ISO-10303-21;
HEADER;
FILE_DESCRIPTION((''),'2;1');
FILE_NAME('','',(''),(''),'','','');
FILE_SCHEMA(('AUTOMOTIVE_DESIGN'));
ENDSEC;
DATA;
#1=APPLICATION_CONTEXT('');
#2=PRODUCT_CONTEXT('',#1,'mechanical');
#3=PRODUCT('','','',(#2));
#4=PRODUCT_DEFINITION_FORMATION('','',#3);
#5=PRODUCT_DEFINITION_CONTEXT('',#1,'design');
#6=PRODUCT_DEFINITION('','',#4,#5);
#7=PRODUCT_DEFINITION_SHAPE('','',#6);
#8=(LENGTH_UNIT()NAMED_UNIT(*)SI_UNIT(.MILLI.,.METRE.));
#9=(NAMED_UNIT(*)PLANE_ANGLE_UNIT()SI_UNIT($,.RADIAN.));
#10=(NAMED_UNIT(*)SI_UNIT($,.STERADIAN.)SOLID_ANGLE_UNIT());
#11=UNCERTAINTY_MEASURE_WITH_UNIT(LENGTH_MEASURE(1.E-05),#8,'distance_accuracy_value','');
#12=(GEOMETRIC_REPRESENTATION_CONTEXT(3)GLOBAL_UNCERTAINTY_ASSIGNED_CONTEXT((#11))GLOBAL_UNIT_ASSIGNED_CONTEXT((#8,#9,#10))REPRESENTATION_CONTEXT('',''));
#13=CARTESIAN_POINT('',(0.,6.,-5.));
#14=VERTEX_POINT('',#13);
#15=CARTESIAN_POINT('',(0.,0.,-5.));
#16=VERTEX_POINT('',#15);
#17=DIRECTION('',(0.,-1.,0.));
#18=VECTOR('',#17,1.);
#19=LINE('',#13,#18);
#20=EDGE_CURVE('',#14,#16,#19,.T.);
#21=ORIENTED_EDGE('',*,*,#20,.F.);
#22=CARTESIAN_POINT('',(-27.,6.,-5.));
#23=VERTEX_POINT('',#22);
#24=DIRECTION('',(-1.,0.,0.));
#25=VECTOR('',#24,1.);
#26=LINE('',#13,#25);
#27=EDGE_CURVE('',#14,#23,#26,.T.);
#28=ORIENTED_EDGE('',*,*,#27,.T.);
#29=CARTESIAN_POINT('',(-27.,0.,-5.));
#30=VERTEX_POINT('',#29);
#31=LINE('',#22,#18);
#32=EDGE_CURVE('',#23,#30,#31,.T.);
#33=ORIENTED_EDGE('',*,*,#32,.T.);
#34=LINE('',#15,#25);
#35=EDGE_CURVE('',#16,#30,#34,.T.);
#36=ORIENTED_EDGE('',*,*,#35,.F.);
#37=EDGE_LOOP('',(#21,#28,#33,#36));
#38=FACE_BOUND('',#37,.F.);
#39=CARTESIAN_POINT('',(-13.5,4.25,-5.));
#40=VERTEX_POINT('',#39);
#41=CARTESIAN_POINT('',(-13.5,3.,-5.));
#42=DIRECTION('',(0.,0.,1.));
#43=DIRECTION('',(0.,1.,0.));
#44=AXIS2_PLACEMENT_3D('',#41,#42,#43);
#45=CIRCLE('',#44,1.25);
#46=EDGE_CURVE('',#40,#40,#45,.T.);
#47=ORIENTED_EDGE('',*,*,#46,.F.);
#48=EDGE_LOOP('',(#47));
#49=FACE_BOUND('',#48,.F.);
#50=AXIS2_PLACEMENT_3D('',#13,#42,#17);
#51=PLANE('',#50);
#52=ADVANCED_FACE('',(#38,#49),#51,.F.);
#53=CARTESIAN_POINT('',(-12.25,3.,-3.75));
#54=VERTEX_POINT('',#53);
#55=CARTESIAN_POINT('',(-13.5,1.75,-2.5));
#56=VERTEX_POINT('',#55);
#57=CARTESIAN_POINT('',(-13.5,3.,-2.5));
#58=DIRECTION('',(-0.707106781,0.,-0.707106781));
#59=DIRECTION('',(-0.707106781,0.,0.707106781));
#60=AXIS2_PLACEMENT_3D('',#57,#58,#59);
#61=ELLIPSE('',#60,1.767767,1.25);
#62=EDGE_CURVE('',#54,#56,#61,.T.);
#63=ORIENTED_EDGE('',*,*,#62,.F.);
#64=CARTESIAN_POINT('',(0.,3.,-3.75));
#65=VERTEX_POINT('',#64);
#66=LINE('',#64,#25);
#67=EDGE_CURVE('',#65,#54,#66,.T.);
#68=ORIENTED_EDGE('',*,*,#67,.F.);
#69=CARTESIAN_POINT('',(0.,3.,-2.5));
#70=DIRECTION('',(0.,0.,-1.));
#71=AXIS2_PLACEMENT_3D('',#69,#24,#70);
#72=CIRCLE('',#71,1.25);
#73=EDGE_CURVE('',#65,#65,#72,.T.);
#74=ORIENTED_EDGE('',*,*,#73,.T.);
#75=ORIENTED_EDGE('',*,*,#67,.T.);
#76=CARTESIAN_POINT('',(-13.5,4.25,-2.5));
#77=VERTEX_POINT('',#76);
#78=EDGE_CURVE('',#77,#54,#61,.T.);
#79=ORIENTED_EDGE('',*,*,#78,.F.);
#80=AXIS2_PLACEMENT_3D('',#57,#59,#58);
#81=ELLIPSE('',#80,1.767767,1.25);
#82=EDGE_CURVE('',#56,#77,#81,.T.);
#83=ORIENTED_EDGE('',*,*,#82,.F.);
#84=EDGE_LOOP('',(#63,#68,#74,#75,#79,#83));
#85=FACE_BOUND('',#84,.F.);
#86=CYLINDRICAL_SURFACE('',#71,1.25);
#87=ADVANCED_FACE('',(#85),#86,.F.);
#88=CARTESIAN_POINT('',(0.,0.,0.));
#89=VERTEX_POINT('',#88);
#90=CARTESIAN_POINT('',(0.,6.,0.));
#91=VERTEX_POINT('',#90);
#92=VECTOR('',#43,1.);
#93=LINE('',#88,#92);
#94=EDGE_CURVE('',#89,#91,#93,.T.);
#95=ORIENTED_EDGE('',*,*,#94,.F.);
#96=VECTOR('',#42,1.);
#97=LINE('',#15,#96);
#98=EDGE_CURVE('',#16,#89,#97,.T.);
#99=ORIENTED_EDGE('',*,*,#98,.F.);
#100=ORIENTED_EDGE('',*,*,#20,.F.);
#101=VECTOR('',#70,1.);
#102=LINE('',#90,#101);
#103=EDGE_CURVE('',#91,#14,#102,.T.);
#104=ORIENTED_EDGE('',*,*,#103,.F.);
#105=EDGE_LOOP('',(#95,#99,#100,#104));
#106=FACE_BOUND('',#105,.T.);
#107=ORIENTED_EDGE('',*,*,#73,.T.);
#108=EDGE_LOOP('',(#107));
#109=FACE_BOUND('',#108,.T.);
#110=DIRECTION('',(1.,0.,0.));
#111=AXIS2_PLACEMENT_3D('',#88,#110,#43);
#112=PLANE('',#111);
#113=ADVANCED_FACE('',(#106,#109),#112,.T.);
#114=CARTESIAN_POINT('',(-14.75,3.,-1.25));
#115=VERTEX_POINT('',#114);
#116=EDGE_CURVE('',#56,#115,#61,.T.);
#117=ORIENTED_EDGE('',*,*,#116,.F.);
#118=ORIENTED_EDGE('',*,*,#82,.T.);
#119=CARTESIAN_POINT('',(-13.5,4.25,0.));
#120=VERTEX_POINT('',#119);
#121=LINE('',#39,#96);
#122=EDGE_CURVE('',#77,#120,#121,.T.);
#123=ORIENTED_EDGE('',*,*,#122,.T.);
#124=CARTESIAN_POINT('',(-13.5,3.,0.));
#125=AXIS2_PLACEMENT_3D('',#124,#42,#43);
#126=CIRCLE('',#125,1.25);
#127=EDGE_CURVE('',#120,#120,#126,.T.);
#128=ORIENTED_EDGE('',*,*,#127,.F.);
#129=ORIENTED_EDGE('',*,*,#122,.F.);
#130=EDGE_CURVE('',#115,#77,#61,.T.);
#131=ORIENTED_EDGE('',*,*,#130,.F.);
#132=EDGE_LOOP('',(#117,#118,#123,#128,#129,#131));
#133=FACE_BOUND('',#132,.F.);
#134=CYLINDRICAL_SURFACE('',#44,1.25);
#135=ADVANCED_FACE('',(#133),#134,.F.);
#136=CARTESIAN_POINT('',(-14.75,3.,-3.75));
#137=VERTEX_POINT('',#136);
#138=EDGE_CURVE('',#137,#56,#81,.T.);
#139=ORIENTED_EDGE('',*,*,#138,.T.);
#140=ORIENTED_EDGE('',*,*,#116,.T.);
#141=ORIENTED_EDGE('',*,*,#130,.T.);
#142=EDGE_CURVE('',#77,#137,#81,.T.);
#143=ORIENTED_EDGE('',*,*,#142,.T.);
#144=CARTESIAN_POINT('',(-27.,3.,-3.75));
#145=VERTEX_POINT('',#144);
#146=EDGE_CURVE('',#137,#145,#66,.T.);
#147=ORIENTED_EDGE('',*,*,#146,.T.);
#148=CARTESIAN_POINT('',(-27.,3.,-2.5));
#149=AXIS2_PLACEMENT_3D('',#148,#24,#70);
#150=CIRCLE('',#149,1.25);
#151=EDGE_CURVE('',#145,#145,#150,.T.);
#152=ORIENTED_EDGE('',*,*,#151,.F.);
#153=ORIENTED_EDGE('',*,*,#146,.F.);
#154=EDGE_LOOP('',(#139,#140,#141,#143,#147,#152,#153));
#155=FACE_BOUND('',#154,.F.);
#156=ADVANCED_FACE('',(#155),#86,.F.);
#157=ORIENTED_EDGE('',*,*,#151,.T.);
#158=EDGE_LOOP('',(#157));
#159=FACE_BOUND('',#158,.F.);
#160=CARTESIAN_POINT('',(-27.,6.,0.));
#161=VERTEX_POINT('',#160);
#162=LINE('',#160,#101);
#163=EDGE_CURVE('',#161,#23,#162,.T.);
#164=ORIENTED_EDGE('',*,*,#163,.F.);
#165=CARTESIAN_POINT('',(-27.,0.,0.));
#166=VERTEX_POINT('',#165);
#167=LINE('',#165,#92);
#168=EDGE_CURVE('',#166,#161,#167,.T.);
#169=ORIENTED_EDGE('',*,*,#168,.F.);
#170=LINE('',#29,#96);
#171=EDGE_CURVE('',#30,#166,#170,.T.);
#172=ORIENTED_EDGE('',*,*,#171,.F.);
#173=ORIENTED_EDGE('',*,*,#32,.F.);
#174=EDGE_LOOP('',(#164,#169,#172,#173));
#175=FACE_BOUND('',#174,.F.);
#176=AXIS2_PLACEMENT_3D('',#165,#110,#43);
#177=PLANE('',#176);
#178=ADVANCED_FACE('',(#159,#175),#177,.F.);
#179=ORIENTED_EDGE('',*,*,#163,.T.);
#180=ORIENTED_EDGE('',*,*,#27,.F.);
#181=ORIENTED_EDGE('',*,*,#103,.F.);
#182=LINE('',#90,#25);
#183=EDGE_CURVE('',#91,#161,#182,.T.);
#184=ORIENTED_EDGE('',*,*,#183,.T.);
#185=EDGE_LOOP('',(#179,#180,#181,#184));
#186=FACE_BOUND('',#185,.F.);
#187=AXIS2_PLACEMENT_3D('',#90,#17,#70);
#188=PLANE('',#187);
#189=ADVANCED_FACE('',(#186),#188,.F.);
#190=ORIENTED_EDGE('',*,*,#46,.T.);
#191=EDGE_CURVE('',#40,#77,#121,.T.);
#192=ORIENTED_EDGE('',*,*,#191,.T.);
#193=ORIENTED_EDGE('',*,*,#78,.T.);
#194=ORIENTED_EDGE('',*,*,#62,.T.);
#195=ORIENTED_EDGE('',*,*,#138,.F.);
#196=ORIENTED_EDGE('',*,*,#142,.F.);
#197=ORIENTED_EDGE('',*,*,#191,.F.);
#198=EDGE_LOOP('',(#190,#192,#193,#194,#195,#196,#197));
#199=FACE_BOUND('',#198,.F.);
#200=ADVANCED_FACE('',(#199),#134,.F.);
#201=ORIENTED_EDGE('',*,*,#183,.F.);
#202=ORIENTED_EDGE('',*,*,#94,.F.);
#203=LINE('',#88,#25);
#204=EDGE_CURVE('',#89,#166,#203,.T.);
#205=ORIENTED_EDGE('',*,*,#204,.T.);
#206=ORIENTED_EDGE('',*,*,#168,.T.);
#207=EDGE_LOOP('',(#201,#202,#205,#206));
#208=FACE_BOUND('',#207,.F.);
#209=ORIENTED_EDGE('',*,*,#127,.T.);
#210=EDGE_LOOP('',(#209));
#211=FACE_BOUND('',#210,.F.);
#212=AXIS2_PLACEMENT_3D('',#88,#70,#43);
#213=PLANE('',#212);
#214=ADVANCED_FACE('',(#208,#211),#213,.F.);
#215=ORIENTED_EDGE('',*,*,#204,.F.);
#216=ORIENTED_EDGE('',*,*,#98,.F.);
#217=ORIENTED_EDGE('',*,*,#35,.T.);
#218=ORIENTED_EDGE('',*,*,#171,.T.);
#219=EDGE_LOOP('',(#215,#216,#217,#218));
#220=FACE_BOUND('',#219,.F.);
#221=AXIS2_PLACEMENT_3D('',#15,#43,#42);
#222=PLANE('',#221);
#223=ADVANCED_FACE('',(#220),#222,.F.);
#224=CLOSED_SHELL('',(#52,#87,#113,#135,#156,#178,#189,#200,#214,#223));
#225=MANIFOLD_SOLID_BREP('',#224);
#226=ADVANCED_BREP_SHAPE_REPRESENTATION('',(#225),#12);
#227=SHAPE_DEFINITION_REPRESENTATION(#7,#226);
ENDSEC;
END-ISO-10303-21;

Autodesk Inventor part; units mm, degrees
ref_plane "YZ Plane" through (0, 0, 0) normal (1, 0, 0) x (0, 1, 0)
ref_plane "XZ Plane" through (0, 0, 0) normal (0, 1, 0) x (-1, 0, 0)
sketch "スケッチ1" plane through (0, 0, 0) normal (1, 0, 0) x (0, 1, 0)
  line L0 (0, 0) -> (6, 0)
  line L1 (6, 0) -> (6, -5)
  line L2 (6, -5) -> (0, -5)
  line L3 (0, -5) -> (0, 0)
  point P0 (3, -2.5)
  dimension "d0" = 6
  dimension "d1" = 5
  dimension "d2" = 3
  dimension "d3" = 2.5
extrude "押し出し1" add sketch "スケッチ1" against normal blind 27
ref_plane "作業平面1" through (-29.5, 0, 0) normal (1, 0, 0) x (0, 0, -1)
hole "穴1" at (0, 3, -2.5) direction (-1, 0, 0) diameter 2.5 end through all
sketch "スケッチ3" plane through (0, 0, -5) normal (0, 0, -1) x (-1, 0, 0)
  line L0 (0, 0) -> (27, 0) projected
  line L1 (0, 0) -> (0, 6) projected
  point P0 (13.5, 3)
  dimension "d19" = 3
  dimension "d20" = 13.5
hole "穴2" at (-13.5, 3, -5) direction (0, 0, 1) diameter 2.5 end through all
properties part number "belt_liner_v5_Plate_9" material "アルミニウム 6061"
